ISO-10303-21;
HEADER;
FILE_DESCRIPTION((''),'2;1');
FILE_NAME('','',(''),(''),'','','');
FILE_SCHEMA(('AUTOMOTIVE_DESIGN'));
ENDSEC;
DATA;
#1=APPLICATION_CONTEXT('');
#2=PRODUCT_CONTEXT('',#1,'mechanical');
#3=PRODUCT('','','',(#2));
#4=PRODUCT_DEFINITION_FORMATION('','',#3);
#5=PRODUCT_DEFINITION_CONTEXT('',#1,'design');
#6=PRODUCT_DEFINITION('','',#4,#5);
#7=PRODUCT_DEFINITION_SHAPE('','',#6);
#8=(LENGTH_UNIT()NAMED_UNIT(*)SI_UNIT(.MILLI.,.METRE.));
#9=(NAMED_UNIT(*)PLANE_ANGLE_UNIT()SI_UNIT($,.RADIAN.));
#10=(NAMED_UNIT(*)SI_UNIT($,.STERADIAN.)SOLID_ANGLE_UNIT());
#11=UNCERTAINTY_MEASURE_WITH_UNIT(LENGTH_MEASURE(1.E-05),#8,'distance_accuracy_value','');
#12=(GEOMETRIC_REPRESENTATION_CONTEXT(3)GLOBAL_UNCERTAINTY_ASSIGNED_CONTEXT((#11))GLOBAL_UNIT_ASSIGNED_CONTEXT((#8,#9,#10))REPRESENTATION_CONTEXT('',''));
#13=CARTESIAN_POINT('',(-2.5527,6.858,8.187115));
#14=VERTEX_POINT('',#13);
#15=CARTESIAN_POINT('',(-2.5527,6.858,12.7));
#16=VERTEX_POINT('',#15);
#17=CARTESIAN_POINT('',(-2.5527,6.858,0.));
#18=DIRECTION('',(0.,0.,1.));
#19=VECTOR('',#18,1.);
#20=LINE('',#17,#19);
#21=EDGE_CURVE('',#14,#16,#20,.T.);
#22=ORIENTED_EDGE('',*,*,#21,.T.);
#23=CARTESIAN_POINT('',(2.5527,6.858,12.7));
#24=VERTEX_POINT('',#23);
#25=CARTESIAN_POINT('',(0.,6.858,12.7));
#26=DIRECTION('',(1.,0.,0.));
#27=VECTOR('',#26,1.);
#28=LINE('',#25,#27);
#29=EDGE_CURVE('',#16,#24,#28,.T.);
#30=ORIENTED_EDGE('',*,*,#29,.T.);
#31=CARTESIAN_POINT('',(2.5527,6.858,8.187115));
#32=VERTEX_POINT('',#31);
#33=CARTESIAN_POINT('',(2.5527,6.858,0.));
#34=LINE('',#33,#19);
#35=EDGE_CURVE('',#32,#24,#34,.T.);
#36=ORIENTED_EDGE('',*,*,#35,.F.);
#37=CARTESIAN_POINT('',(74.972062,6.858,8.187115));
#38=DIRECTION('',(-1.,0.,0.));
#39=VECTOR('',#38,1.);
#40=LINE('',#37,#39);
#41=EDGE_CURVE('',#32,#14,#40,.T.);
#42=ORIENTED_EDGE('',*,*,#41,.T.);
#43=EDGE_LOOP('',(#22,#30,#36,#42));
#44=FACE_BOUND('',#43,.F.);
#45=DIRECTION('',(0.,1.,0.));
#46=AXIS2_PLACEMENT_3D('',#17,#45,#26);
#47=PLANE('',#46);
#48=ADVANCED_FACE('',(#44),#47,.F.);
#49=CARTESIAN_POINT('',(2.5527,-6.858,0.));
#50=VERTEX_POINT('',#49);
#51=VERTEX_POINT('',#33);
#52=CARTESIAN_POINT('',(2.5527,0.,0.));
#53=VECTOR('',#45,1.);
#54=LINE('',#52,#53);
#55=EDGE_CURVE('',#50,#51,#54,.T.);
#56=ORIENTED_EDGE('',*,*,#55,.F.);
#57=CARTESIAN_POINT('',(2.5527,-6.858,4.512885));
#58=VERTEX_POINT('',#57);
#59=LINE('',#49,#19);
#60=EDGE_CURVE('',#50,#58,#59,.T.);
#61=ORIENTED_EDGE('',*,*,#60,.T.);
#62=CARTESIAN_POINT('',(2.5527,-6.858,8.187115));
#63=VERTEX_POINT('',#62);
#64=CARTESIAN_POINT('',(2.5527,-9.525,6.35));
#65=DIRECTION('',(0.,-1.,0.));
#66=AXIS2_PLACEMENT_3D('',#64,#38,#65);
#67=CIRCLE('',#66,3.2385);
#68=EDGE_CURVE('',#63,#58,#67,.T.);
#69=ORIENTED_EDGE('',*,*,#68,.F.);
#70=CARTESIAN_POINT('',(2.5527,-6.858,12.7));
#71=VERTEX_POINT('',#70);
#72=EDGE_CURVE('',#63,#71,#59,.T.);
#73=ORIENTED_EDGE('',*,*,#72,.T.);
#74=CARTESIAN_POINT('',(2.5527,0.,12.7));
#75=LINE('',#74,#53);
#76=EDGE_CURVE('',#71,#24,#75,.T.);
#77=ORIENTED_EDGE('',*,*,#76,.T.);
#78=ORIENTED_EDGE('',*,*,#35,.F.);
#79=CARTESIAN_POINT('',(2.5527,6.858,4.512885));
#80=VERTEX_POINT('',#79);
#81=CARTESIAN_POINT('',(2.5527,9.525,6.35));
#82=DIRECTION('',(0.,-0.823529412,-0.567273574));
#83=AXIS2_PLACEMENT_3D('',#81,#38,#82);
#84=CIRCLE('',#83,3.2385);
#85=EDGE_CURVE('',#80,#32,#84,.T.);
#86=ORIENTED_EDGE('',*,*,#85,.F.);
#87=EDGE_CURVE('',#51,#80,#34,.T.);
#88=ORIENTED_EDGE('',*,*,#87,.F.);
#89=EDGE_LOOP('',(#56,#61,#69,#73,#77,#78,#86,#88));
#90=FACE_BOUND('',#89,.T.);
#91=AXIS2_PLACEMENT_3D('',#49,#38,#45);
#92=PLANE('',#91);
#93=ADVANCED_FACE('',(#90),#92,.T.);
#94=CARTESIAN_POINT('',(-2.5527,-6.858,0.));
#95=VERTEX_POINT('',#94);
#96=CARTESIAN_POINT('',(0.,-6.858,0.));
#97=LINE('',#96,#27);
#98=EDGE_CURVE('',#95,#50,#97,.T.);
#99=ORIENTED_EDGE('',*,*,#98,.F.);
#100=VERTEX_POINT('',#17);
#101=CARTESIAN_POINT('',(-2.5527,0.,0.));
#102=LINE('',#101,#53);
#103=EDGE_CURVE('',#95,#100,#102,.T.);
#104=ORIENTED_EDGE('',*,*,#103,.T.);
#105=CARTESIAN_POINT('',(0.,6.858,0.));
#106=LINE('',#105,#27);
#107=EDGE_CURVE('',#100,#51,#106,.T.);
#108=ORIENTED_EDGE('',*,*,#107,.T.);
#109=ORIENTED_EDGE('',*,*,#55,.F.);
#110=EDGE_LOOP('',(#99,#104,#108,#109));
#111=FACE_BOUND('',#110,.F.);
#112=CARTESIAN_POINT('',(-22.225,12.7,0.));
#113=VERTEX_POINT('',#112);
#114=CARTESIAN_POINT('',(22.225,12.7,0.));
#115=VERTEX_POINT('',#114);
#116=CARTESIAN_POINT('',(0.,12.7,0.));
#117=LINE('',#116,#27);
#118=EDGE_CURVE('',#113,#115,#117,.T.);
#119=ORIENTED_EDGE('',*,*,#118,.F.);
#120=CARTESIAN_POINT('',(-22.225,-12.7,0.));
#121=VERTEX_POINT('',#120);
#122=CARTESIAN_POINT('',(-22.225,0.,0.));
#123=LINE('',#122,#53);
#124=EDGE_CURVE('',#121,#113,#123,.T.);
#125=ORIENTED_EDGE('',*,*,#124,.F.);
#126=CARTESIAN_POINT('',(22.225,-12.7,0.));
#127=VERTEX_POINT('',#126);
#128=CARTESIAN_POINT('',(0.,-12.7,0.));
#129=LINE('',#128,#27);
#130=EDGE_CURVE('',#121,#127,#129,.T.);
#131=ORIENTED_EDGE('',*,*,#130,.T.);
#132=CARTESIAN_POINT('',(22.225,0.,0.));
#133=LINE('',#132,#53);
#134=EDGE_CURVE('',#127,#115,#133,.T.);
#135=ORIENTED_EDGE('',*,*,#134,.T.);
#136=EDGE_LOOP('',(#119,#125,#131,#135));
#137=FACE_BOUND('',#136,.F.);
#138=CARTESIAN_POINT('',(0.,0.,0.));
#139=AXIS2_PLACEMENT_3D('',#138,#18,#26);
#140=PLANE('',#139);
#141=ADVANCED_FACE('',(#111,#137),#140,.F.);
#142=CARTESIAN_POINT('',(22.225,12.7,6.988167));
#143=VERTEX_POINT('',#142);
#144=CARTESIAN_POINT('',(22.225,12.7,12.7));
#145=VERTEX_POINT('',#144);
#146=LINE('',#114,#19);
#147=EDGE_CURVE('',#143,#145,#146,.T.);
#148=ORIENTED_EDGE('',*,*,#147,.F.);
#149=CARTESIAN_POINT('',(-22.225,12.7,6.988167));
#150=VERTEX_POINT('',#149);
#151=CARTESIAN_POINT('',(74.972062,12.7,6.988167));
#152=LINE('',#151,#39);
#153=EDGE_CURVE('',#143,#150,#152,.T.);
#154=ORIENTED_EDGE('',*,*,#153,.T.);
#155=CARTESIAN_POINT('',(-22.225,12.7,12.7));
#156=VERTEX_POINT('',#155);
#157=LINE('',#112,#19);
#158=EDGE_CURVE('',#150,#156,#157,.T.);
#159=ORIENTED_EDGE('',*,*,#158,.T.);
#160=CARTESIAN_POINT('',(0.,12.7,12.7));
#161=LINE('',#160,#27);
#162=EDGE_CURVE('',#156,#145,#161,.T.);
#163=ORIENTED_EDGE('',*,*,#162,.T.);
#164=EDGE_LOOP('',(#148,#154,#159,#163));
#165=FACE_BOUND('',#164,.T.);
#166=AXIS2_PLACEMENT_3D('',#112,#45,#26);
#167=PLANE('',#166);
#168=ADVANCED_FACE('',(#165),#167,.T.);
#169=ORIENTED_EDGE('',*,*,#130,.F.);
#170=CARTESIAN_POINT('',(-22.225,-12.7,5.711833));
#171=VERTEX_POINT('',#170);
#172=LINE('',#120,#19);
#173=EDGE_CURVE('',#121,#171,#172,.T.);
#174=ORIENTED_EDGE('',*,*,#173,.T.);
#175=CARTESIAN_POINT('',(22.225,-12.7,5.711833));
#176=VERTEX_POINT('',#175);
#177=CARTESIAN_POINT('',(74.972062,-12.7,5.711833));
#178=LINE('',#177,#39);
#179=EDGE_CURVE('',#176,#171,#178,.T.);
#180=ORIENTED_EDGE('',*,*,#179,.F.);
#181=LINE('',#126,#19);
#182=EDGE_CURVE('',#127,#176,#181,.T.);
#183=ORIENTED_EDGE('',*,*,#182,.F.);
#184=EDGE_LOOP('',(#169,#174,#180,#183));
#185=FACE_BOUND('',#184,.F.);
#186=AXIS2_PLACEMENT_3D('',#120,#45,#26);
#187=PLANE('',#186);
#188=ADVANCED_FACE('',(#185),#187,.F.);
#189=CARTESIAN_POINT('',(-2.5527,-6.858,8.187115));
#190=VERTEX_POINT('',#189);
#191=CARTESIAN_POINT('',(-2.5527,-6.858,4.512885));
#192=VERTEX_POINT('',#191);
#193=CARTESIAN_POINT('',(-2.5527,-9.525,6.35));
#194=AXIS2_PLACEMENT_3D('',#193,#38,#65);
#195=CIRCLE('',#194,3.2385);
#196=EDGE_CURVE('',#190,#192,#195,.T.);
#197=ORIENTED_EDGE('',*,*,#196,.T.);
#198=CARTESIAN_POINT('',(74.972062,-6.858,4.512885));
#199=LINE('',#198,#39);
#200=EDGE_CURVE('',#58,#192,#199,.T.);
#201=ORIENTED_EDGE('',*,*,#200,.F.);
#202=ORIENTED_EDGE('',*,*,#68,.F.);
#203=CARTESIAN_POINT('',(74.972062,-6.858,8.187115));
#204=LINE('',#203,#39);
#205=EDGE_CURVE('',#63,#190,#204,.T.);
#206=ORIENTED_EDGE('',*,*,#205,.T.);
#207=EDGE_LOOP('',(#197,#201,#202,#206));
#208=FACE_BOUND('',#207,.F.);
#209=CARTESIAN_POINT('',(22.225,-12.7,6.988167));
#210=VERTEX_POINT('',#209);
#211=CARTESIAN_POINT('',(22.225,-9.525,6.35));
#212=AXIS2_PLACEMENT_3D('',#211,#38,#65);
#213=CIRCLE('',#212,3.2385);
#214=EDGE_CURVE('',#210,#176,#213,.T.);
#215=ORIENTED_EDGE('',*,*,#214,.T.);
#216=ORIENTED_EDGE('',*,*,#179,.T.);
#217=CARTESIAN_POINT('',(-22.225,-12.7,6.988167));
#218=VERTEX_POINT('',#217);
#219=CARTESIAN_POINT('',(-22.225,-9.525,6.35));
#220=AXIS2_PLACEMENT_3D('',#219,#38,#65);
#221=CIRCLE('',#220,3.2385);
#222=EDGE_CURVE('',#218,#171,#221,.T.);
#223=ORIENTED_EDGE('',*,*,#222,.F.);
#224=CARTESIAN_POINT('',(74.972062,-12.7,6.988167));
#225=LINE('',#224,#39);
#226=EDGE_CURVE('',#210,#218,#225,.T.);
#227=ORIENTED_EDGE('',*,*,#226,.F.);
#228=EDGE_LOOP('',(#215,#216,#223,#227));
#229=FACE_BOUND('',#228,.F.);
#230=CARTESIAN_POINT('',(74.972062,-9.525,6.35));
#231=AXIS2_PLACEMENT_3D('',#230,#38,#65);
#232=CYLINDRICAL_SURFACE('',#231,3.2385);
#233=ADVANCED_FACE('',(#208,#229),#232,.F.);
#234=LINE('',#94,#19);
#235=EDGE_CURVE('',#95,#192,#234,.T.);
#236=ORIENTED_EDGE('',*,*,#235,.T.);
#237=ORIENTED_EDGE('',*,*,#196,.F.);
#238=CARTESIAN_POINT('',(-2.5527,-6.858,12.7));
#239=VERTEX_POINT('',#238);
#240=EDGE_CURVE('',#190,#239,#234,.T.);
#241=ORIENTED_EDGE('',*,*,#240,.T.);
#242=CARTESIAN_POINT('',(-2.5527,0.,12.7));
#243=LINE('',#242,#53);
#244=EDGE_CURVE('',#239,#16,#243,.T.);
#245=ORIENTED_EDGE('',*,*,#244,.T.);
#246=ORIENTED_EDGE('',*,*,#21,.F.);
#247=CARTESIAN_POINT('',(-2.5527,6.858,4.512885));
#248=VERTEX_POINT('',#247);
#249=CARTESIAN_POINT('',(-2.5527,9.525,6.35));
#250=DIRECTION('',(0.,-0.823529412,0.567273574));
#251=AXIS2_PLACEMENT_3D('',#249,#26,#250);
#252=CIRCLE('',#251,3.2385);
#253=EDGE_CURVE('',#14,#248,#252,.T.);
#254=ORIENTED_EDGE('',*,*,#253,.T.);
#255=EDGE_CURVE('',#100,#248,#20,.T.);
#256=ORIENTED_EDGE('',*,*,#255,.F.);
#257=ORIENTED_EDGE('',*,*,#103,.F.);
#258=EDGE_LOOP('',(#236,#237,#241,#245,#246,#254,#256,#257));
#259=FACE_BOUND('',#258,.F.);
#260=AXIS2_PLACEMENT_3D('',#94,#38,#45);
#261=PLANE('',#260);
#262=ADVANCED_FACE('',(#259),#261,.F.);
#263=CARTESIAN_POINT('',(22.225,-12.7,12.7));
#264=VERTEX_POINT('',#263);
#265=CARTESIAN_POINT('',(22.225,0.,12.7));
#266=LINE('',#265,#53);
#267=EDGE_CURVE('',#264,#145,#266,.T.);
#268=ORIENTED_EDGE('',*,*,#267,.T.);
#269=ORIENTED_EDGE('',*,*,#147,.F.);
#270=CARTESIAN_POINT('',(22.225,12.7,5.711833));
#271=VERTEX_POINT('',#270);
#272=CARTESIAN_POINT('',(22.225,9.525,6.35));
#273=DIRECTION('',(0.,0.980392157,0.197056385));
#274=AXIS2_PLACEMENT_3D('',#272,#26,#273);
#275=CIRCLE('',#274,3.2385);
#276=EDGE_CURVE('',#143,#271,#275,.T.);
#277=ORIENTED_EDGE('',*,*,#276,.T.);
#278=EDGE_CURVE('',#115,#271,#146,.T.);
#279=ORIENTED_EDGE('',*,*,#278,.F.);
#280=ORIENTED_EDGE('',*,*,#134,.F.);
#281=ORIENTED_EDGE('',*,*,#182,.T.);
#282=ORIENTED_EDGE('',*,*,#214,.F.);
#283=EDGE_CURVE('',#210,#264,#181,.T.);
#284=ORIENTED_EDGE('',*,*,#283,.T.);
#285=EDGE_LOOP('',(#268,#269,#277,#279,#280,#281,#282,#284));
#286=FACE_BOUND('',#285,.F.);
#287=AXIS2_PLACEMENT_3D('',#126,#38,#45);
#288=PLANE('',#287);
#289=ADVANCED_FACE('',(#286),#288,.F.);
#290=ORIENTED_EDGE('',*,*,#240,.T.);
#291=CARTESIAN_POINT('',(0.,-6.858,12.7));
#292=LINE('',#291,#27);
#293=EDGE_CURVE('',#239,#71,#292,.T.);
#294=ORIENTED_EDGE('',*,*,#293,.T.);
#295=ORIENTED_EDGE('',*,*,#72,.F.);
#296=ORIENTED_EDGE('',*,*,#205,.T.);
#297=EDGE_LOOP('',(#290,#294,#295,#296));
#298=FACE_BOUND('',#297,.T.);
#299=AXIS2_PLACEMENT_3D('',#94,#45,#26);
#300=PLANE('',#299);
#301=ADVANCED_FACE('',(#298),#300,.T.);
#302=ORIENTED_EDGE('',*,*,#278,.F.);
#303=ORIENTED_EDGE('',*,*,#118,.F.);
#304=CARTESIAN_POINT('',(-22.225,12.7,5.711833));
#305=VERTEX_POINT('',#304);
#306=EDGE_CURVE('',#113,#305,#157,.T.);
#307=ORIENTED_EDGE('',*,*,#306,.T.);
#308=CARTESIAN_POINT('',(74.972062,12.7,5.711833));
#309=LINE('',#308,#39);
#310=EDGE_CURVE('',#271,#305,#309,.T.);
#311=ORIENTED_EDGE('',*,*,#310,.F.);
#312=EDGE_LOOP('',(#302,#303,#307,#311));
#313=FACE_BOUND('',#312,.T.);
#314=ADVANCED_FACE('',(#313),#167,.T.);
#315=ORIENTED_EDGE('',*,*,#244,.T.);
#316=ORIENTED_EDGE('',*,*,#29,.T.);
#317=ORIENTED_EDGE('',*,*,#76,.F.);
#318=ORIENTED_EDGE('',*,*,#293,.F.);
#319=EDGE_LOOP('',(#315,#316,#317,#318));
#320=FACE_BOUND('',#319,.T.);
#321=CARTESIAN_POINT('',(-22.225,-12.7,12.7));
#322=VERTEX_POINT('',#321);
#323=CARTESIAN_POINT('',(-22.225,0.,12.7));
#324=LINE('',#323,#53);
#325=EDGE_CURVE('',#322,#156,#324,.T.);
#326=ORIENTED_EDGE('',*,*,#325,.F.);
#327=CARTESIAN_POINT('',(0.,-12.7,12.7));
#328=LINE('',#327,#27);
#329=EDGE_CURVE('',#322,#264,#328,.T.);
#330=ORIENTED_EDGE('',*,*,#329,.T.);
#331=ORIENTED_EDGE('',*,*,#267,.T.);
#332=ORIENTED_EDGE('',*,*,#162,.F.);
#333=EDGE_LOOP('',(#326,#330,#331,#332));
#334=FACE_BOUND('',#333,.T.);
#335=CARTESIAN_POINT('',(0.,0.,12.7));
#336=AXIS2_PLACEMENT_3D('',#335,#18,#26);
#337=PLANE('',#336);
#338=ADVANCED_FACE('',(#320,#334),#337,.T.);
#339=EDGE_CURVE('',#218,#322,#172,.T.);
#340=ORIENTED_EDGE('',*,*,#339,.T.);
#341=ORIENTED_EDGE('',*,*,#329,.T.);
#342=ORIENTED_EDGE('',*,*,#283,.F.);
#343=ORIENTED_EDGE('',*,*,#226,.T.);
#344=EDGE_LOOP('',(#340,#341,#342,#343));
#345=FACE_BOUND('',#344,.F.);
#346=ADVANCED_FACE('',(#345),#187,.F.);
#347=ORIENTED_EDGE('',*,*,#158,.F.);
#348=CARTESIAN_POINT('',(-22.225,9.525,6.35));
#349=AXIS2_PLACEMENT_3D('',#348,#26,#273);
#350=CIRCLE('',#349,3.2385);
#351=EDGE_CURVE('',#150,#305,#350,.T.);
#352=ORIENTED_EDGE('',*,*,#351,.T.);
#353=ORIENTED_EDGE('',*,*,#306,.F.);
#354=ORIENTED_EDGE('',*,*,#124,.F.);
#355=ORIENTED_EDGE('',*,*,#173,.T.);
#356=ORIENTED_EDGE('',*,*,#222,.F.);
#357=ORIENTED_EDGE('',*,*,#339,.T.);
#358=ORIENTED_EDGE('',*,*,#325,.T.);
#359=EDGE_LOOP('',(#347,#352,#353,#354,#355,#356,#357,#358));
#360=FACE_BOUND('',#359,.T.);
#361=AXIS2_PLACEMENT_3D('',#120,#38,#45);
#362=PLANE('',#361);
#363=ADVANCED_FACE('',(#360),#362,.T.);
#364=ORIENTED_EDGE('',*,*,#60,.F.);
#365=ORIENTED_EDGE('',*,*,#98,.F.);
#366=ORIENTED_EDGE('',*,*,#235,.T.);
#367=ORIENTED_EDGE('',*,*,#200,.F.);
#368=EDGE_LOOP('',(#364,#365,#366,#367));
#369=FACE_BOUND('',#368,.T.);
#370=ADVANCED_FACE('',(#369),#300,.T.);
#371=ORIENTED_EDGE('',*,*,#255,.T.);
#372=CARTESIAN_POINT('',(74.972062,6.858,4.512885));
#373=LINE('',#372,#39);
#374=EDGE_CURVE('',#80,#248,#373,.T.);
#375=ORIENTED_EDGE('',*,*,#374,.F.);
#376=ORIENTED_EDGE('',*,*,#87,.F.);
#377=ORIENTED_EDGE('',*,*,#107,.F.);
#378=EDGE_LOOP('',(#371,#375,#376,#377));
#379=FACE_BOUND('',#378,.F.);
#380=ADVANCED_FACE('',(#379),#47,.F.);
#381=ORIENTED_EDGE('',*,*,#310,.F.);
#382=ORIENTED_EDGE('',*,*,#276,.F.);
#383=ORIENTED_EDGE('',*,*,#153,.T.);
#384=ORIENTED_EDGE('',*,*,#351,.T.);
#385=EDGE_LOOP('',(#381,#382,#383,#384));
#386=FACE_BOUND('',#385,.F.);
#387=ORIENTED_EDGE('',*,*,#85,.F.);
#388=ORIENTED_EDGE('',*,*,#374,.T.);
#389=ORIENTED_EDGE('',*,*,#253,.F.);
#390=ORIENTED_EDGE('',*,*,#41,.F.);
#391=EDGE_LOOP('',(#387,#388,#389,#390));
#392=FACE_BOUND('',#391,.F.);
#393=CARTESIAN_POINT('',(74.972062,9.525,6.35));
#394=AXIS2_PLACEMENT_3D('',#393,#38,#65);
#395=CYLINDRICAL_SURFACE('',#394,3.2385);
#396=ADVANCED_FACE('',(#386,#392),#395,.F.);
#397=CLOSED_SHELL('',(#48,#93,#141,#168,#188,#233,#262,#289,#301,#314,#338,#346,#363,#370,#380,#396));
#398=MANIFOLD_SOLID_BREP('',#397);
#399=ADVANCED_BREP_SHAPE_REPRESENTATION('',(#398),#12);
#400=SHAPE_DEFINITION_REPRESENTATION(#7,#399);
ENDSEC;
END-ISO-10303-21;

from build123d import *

# Parameters (mm, degrees)
F0_W     = 44.45
F0_H     = 25.4
F0_W_2   = 5.1054
F0_H_2   = 13.716
F1_DEPTH = 12.7
F3_D     = 6.477


with BuildPart() as f1:
    # F0 (on Top) → F1 (new body)
    with BuildSketch(Plane.XY):
        Rectangle(F0_W, F0_H)
        Rectangle(F0_W_2, F0_H_2, mode=Mode.SUBTRACT)
    extrude(amount=F1_DEPTH)

    # F3 (through all)
    with Locations(Plane.YZ.offset(22.225)):
        with Locations((-9.525, 6.35), (9.525, 6.35)):
            Hole(F3_D / 2)


solid = f1.part
